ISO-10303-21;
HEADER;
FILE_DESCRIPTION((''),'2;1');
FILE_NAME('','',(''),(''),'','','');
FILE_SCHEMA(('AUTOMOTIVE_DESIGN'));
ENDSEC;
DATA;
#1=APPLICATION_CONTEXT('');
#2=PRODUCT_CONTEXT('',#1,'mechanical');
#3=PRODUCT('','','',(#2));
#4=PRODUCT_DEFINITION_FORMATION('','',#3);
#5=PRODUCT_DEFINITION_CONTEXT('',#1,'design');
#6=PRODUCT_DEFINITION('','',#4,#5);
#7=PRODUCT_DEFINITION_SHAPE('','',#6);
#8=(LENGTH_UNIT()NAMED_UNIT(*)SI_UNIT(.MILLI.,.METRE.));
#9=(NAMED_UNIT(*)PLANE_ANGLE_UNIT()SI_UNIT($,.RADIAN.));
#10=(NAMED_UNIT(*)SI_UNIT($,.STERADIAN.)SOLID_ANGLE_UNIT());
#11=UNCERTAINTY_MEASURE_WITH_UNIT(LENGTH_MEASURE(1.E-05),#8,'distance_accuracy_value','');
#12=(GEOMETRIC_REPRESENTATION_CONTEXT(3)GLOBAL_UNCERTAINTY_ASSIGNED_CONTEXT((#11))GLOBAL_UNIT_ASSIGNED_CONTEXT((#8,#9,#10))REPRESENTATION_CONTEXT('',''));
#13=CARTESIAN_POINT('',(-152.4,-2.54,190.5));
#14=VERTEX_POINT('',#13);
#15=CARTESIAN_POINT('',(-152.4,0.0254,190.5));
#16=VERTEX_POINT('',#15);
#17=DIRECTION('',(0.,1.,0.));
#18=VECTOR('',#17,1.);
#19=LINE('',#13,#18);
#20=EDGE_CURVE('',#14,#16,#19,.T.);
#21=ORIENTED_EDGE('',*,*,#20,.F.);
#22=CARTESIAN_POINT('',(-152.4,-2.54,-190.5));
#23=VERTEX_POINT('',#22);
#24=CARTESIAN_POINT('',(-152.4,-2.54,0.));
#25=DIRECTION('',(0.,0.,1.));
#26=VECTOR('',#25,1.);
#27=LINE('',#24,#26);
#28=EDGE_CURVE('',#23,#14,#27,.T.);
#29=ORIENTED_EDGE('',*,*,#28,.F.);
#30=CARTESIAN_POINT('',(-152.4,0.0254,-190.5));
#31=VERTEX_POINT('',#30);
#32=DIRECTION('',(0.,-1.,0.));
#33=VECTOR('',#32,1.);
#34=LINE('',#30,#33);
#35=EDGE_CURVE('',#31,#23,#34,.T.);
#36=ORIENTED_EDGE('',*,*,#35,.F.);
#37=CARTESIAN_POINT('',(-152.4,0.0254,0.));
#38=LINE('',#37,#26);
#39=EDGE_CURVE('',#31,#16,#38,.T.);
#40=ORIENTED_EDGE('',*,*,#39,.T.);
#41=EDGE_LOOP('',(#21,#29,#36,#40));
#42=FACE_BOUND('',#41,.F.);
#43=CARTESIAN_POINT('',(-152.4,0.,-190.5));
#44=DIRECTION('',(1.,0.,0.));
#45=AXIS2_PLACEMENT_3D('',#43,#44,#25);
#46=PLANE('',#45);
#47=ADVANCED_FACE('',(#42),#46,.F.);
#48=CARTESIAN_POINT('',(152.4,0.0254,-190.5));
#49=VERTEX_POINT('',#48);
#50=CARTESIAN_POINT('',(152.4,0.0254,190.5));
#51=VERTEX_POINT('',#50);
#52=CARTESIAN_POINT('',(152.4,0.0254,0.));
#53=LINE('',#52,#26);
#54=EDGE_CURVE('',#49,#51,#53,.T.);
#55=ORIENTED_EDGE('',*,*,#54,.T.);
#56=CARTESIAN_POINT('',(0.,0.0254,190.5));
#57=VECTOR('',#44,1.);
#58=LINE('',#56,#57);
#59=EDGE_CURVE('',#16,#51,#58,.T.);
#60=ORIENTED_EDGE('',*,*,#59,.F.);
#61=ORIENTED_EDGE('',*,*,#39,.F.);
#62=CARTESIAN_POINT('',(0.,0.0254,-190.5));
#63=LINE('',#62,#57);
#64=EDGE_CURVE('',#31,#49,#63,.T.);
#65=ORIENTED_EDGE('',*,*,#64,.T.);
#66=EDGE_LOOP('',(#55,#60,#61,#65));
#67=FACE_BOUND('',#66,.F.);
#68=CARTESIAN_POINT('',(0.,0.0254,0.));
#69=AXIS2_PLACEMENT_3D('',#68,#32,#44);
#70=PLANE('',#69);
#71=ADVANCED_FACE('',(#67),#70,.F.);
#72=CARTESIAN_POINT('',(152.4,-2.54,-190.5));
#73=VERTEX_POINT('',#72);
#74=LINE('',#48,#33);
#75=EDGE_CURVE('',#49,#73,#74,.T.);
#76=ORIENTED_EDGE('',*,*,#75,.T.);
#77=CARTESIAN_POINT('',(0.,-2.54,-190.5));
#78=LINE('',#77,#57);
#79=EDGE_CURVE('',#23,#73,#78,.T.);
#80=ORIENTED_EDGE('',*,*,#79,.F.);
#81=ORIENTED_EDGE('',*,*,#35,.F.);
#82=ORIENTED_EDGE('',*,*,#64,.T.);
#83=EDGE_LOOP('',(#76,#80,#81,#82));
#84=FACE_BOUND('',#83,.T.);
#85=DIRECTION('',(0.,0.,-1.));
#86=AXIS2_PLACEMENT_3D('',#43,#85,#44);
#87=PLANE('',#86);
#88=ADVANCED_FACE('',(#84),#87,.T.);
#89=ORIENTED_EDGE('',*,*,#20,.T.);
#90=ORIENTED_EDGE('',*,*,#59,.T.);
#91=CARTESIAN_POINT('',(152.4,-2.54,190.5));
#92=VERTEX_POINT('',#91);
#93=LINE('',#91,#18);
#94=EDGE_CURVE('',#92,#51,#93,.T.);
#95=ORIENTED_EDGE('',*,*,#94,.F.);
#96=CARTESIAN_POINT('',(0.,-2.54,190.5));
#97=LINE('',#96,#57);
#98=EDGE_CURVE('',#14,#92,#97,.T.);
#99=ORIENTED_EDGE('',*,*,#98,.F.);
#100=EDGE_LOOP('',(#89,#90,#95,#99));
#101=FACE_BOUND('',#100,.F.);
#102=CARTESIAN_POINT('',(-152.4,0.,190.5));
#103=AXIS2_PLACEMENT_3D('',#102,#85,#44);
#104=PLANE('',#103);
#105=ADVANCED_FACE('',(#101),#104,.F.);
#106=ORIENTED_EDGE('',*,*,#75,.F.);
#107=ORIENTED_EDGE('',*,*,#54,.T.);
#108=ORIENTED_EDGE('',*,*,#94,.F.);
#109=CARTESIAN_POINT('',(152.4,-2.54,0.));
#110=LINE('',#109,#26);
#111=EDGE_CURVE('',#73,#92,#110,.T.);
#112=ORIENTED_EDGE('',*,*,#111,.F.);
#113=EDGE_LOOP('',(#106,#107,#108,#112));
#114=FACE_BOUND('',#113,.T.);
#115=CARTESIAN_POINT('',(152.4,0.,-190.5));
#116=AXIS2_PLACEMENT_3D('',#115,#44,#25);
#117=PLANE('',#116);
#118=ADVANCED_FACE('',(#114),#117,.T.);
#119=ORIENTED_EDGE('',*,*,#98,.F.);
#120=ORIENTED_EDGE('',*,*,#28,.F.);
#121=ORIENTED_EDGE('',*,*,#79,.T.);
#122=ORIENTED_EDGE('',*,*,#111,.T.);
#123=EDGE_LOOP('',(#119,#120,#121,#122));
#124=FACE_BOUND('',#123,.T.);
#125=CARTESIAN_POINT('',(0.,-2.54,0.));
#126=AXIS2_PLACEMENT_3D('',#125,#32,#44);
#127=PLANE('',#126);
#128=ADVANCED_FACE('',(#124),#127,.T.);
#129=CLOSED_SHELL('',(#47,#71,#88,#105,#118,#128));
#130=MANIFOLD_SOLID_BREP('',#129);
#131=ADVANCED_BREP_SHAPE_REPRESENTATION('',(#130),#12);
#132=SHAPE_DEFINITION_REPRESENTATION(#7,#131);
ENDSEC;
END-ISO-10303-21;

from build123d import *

# Parameters (mm, degrees)
F0_W     = 304.8
F0_H     = 381
F1_DEPTH = 2.54
F2_DEPTH = 0.0254


with BuildPart() as f1:
    # F0 (on Front) → F1 (new body)
    with BuildSketch(Plane.XZ):
        Rectangle(F0_W, F0_H)
    extrude(amount=F1_DEPTH)

    # F0 (on Front) → F2 (join)
    with BuildSketch(Plane.XZ):
        Rectangle(F0_W, F0_H)
    extrude(amount=-F2_DEPTH)


solid = f1.part
